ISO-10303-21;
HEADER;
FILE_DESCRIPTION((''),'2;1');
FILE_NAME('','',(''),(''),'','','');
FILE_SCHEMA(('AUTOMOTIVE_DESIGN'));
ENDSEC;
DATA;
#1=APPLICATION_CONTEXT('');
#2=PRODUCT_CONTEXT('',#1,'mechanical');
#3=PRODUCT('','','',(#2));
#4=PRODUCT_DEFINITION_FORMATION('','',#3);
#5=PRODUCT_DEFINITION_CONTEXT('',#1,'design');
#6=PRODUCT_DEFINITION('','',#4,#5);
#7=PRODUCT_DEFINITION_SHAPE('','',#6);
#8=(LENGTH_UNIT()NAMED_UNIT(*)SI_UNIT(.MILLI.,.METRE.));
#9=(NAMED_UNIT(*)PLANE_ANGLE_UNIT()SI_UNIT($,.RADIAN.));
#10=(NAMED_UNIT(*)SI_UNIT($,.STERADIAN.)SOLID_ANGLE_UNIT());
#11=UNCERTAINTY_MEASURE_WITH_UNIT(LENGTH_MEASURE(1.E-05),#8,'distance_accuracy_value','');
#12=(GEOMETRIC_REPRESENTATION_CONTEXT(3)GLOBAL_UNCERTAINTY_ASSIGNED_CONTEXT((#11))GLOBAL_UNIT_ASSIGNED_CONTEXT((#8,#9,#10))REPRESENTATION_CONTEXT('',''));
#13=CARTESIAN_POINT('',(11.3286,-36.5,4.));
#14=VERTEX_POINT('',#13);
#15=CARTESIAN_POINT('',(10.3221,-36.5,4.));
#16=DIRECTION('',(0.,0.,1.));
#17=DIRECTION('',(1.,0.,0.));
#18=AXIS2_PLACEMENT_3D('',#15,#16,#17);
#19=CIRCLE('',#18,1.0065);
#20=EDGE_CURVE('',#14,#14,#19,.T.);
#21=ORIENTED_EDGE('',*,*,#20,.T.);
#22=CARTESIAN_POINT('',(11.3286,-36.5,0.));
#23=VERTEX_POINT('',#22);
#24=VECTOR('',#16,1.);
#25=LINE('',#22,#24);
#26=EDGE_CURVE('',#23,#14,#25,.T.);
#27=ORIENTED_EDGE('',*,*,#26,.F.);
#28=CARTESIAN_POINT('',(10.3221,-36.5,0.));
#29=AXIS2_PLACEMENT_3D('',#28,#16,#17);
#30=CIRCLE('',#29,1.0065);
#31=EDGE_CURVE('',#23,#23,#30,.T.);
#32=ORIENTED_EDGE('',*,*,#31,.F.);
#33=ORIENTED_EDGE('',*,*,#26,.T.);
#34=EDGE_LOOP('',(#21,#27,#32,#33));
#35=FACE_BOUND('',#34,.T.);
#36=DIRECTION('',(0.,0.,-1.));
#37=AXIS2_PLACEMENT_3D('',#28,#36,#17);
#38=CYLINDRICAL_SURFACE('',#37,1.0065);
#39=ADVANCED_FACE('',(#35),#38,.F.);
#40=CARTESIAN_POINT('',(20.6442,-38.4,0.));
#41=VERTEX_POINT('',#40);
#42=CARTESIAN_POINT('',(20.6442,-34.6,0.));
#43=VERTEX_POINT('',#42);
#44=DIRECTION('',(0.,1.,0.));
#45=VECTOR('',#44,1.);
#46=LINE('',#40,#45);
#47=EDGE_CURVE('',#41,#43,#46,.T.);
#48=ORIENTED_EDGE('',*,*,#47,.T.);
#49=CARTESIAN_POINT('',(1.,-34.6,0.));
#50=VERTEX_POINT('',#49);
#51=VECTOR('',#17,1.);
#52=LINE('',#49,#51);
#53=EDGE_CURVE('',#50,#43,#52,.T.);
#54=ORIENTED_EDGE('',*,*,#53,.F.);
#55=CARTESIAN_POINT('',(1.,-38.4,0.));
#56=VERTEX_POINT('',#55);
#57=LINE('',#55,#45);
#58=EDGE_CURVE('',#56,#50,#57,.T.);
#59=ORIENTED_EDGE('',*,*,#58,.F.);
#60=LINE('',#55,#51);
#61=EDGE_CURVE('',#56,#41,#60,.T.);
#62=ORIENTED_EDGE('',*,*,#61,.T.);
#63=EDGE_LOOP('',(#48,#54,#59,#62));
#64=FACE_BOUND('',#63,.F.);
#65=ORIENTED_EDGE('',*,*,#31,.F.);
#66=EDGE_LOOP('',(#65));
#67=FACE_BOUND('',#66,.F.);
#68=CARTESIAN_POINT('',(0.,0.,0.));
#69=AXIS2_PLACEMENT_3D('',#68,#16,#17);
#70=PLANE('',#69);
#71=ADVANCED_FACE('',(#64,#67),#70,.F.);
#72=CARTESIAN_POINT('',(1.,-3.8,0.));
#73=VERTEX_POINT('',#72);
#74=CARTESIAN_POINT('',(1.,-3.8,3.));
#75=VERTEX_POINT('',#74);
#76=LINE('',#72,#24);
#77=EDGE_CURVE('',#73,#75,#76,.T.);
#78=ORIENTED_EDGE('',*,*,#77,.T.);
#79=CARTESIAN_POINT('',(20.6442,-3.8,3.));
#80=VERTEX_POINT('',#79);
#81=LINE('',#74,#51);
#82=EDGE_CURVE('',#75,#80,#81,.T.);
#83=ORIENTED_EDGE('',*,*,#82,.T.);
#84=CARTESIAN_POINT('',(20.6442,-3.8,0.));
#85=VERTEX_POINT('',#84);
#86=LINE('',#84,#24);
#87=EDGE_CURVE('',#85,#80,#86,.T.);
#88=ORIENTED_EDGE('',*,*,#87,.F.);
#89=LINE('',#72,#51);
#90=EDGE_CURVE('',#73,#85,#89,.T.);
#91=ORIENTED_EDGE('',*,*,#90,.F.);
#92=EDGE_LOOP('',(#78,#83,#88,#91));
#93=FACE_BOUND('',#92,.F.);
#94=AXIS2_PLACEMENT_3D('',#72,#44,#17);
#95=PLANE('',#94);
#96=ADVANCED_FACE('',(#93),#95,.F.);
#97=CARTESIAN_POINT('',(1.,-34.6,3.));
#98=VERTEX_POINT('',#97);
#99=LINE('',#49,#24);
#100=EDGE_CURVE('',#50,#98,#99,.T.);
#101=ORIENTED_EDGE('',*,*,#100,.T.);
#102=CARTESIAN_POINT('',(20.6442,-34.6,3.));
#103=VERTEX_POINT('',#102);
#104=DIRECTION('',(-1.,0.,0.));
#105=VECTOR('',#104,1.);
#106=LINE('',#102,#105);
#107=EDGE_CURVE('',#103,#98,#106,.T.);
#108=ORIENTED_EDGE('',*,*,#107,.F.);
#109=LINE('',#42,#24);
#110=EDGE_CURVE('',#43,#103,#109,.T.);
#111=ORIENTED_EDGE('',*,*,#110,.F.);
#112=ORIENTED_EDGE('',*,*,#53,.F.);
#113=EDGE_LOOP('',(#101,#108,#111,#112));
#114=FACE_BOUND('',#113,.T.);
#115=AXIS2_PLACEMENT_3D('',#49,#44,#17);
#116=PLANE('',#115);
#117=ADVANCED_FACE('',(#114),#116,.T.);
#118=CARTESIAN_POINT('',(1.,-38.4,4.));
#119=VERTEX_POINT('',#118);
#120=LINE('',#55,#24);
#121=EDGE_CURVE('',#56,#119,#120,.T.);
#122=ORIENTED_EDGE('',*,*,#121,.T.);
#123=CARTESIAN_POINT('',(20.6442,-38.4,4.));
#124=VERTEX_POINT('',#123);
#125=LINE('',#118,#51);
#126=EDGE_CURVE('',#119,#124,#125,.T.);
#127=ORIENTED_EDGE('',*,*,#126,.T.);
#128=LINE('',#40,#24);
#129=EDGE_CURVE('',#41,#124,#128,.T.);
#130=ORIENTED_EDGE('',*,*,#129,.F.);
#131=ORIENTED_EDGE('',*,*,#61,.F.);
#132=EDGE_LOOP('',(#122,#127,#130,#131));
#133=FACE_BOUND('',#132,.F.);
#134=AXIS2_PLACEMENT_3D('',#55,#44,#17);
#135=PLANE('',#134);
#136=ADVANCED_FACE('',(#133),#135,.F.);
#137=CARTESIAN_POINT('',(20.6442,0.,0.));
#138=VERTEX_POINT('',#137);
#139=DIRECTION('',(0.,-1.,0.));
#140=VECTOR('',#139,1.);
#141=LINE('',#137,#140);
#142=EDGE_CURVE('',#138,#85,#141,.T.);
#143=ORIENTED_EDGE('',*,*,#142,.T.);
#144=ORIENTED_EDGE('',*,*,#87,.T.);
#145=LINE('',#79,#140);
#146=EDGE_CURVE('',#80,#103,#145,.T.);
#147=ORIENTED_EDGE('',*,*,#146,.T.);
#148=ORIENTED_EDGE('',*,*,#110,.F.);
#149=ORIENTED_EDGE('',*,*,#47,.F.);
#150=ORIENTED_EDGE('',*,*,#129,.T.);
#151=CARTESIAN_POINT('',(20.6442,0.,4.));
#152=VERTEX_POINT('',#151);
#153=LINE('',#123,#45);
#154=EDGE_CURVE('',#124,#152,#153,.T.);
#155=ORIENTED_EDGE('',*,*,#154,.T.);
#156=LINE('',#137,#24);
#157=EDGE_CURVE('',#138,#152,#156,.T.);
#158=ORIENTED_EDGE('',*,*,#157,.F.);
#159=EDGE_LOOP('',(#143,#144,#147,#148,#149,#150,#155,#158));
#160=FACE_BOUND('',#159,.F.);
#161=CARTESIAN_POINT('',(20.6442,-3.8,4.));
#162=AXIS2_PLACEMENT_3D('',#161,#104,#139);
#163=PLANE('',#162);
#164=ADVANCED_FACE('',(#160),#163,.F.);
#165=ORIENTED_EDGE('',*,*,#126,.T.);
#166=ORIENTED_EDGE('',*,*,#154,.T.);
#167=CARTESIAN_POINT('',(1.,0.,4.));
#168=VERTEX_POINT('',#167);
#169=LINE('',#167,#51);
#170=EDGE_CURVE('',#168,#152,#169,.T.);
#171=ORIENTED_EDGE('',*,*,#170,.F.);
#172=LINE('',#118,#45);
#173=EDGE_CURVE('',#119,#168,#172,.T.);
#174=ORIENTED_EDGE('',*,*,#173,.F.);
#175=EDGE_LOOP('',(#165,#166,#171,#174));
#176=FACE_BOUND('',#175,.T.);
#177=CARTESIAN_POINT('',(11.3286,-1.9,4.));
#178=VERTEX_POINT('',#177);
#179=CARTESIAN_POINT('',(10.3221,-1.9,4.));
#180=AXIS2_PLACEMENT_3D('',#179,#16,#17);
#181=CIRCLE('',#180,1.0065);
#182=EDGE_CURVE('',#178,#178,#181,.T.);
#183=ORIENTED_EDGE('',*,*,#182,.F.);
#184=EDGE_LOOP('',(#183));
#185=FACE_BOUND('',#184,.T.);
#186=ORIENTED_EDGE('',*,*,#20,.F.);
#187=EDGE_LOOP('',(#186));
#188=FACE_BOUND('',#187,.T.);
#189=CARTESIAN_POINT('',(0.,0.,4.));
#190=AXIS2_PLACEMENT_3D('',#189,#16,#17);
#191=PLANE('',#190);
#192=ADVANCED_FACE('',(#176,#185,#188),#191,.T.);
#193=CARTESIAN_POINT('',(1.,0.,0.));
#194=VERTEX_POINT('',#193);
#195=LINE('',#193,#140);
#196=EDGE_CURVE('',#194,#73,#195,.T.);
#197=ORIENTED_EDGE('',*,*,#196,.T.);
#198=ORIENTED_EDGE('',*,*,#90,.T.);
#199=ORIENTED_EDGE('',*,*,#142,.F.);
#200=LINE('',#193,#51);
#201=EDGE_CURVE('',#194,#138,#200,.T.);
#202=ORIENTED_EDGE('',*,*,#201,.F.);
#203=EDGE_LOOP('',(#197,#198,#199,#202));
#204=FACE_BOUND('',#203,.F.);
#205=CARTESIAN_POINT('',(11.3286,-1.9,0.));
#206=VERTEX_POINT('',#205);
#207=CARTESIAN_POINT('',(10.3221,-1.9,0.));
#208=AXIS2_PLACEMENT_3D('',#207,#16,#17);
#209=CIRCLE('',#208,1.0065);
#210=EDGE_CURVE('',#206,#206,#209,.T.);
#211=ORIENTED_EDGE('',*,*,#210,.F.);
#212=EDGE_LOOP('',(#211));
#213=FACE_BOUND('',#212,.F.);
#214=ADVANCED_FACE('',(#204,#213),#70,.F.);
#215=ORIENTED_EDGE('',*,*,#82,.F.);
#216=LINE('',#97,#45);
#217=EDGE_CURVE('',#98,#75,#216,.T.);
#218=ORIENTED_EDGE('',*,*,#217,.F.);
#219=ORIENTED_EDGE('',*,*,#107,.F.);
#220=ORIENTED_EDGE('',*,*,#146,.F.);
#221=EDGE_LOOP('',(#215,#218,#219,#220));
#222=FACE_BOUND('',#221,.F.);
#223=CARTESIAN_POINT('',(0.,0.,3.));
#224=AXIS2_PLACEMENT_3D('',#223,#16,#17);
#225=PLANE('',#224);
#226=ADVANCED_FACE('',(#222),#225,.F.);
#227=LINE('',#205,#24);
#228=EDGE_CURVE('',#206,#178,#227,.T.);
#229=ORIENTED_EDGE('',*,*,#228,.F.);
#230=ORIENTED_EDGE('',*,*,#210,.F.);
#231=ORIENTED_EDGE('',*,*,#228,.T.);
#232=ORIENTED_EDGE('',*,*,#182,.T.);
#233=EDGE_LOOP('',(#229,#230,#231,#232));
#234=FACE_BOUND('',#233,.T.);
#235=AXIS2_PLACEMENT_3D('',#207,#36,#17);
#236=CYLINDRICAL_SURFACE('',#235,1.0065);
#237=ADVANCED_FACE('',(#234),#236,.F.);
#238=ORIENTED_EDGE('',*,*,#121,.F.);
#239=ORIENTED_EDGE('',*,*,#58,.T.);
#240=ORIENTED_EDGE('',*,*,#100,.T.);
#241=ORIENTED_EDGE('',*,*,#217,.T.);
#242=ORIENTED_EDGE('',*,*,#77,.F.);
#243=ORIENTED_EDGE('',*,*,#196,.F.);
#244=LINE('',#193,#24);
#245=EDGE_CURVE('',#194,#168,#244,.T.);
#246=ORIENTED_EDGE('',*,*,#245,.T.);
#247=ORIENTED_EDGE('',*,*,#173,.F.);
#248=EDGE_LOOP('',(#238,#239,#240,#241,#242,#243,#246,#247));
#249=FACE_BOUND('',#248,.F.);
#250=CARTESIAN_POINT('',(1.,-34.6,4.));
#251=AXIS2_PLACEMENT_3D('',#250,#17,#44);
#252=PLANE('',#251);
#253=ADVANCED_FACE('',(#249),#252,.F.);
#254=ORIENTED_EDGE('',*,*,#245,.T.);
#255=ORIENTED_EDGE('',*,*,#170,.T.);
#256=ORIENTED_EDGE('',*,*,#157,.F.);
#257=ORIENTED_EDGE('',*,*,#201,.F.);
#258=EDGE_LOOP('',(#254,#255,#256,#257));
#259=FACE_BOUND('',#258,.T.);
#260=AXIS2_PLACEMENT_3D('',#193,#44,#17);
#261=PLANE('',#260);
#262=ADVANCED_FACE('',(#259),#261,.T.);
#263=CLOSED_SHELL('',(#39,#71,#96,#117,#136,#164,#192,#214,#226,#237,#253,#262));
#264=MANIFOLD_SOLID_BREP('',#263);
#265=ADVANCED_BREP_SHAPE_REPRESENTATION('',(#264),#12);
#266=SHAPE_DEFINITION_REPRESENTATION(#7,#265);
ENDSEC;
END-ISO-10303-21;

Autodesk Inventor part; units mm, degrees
ref_plane "YZ Plane" through (0, 0, 0) normal (1, 0, 0) x (0, 1, 0)
ref_plane "XZ Plane" through (0, 0, 0) normal (0, 1, 0) x (-1, 0, 0)
ref_plane "XY Plane" through (0, 0, 0) normal (0, 0, 1) x (1, 0, 0)
sketch "Sketch1" plane through (0, 0, 0) normal (0, 0, 1) x (1, 0, 0)
  line L0 (1, -38.4) -> (1, -34.6) projected
  line L1 (1, -38.4) -> (20.6442, -38.4) projected
  line L2 (20.6442, -38.4) -> (20.6442, -34.6) projected
  line L3 (1, -34.6) -> (20.6442, -34.6) projected
  circle A0 centre (10.3221, -36.5) radius 1.0065 projected
  line L4 (1, 0) -> (1, -3.8) projected
  line L5 (1, -3.8) -> (20.6442, -3.8) projected
  line L6 (20.6442, 0) -> (20.6442, -3.8) projected
  line L7 (1, 0) -> (20.6442, 0) projected
  circle A1 centre (10.3221, -1.9) radius 1.0065 projected
  point P0 (0, 0)
extrude "Extrusion1" add sketch "Sketch1" along normal blind 4
sketch "Sketch2" plane through (0, 0, 4) normal (0, 0, 1) x (1, 0, 0)
  line L0 (20.6442, -34.6) -> (1, -34.6) projected
  line L1 (1, -34.6) -> (1, -38.4) projected
  line L2 (1, -38.4) -> (20.6442, -38.4) projected
  line L3 (20.6442, -38.4) -> (20.6442, -34.6) projected
  circle A0 centre (10.3221, -36.5) radius 1.0065 projected
  line L4 (1, 0) -> (1, -3.8) projected
  line L5 (1, -3.8) -> (20.6442, -3.8) projected
  line L6 (20.6442, -3.8) -> (20.6442, 0) projected
  line L7 (20.6442, 0) -> (1, 0) projected
  circle A1 centre (10.3221, -1.9) radius 1.0065 projected
  line L8 (1, -34.6) -> (1, -3.8)
  line L9 (20.6442, -3.8) -> (20.6442, -34.6)
  point P0 (0, 0)
extrude "Extrusion2" add sketch "Sketch2" against normal blind 1 contours L0 L8 L5 L9
sketch "Sketch3" plane through (1, 0, 0) normal (0, 1, 0) x (1, 0, 0)
  point P0 (-1, 0)
properties part number "PCBDownlHold"
